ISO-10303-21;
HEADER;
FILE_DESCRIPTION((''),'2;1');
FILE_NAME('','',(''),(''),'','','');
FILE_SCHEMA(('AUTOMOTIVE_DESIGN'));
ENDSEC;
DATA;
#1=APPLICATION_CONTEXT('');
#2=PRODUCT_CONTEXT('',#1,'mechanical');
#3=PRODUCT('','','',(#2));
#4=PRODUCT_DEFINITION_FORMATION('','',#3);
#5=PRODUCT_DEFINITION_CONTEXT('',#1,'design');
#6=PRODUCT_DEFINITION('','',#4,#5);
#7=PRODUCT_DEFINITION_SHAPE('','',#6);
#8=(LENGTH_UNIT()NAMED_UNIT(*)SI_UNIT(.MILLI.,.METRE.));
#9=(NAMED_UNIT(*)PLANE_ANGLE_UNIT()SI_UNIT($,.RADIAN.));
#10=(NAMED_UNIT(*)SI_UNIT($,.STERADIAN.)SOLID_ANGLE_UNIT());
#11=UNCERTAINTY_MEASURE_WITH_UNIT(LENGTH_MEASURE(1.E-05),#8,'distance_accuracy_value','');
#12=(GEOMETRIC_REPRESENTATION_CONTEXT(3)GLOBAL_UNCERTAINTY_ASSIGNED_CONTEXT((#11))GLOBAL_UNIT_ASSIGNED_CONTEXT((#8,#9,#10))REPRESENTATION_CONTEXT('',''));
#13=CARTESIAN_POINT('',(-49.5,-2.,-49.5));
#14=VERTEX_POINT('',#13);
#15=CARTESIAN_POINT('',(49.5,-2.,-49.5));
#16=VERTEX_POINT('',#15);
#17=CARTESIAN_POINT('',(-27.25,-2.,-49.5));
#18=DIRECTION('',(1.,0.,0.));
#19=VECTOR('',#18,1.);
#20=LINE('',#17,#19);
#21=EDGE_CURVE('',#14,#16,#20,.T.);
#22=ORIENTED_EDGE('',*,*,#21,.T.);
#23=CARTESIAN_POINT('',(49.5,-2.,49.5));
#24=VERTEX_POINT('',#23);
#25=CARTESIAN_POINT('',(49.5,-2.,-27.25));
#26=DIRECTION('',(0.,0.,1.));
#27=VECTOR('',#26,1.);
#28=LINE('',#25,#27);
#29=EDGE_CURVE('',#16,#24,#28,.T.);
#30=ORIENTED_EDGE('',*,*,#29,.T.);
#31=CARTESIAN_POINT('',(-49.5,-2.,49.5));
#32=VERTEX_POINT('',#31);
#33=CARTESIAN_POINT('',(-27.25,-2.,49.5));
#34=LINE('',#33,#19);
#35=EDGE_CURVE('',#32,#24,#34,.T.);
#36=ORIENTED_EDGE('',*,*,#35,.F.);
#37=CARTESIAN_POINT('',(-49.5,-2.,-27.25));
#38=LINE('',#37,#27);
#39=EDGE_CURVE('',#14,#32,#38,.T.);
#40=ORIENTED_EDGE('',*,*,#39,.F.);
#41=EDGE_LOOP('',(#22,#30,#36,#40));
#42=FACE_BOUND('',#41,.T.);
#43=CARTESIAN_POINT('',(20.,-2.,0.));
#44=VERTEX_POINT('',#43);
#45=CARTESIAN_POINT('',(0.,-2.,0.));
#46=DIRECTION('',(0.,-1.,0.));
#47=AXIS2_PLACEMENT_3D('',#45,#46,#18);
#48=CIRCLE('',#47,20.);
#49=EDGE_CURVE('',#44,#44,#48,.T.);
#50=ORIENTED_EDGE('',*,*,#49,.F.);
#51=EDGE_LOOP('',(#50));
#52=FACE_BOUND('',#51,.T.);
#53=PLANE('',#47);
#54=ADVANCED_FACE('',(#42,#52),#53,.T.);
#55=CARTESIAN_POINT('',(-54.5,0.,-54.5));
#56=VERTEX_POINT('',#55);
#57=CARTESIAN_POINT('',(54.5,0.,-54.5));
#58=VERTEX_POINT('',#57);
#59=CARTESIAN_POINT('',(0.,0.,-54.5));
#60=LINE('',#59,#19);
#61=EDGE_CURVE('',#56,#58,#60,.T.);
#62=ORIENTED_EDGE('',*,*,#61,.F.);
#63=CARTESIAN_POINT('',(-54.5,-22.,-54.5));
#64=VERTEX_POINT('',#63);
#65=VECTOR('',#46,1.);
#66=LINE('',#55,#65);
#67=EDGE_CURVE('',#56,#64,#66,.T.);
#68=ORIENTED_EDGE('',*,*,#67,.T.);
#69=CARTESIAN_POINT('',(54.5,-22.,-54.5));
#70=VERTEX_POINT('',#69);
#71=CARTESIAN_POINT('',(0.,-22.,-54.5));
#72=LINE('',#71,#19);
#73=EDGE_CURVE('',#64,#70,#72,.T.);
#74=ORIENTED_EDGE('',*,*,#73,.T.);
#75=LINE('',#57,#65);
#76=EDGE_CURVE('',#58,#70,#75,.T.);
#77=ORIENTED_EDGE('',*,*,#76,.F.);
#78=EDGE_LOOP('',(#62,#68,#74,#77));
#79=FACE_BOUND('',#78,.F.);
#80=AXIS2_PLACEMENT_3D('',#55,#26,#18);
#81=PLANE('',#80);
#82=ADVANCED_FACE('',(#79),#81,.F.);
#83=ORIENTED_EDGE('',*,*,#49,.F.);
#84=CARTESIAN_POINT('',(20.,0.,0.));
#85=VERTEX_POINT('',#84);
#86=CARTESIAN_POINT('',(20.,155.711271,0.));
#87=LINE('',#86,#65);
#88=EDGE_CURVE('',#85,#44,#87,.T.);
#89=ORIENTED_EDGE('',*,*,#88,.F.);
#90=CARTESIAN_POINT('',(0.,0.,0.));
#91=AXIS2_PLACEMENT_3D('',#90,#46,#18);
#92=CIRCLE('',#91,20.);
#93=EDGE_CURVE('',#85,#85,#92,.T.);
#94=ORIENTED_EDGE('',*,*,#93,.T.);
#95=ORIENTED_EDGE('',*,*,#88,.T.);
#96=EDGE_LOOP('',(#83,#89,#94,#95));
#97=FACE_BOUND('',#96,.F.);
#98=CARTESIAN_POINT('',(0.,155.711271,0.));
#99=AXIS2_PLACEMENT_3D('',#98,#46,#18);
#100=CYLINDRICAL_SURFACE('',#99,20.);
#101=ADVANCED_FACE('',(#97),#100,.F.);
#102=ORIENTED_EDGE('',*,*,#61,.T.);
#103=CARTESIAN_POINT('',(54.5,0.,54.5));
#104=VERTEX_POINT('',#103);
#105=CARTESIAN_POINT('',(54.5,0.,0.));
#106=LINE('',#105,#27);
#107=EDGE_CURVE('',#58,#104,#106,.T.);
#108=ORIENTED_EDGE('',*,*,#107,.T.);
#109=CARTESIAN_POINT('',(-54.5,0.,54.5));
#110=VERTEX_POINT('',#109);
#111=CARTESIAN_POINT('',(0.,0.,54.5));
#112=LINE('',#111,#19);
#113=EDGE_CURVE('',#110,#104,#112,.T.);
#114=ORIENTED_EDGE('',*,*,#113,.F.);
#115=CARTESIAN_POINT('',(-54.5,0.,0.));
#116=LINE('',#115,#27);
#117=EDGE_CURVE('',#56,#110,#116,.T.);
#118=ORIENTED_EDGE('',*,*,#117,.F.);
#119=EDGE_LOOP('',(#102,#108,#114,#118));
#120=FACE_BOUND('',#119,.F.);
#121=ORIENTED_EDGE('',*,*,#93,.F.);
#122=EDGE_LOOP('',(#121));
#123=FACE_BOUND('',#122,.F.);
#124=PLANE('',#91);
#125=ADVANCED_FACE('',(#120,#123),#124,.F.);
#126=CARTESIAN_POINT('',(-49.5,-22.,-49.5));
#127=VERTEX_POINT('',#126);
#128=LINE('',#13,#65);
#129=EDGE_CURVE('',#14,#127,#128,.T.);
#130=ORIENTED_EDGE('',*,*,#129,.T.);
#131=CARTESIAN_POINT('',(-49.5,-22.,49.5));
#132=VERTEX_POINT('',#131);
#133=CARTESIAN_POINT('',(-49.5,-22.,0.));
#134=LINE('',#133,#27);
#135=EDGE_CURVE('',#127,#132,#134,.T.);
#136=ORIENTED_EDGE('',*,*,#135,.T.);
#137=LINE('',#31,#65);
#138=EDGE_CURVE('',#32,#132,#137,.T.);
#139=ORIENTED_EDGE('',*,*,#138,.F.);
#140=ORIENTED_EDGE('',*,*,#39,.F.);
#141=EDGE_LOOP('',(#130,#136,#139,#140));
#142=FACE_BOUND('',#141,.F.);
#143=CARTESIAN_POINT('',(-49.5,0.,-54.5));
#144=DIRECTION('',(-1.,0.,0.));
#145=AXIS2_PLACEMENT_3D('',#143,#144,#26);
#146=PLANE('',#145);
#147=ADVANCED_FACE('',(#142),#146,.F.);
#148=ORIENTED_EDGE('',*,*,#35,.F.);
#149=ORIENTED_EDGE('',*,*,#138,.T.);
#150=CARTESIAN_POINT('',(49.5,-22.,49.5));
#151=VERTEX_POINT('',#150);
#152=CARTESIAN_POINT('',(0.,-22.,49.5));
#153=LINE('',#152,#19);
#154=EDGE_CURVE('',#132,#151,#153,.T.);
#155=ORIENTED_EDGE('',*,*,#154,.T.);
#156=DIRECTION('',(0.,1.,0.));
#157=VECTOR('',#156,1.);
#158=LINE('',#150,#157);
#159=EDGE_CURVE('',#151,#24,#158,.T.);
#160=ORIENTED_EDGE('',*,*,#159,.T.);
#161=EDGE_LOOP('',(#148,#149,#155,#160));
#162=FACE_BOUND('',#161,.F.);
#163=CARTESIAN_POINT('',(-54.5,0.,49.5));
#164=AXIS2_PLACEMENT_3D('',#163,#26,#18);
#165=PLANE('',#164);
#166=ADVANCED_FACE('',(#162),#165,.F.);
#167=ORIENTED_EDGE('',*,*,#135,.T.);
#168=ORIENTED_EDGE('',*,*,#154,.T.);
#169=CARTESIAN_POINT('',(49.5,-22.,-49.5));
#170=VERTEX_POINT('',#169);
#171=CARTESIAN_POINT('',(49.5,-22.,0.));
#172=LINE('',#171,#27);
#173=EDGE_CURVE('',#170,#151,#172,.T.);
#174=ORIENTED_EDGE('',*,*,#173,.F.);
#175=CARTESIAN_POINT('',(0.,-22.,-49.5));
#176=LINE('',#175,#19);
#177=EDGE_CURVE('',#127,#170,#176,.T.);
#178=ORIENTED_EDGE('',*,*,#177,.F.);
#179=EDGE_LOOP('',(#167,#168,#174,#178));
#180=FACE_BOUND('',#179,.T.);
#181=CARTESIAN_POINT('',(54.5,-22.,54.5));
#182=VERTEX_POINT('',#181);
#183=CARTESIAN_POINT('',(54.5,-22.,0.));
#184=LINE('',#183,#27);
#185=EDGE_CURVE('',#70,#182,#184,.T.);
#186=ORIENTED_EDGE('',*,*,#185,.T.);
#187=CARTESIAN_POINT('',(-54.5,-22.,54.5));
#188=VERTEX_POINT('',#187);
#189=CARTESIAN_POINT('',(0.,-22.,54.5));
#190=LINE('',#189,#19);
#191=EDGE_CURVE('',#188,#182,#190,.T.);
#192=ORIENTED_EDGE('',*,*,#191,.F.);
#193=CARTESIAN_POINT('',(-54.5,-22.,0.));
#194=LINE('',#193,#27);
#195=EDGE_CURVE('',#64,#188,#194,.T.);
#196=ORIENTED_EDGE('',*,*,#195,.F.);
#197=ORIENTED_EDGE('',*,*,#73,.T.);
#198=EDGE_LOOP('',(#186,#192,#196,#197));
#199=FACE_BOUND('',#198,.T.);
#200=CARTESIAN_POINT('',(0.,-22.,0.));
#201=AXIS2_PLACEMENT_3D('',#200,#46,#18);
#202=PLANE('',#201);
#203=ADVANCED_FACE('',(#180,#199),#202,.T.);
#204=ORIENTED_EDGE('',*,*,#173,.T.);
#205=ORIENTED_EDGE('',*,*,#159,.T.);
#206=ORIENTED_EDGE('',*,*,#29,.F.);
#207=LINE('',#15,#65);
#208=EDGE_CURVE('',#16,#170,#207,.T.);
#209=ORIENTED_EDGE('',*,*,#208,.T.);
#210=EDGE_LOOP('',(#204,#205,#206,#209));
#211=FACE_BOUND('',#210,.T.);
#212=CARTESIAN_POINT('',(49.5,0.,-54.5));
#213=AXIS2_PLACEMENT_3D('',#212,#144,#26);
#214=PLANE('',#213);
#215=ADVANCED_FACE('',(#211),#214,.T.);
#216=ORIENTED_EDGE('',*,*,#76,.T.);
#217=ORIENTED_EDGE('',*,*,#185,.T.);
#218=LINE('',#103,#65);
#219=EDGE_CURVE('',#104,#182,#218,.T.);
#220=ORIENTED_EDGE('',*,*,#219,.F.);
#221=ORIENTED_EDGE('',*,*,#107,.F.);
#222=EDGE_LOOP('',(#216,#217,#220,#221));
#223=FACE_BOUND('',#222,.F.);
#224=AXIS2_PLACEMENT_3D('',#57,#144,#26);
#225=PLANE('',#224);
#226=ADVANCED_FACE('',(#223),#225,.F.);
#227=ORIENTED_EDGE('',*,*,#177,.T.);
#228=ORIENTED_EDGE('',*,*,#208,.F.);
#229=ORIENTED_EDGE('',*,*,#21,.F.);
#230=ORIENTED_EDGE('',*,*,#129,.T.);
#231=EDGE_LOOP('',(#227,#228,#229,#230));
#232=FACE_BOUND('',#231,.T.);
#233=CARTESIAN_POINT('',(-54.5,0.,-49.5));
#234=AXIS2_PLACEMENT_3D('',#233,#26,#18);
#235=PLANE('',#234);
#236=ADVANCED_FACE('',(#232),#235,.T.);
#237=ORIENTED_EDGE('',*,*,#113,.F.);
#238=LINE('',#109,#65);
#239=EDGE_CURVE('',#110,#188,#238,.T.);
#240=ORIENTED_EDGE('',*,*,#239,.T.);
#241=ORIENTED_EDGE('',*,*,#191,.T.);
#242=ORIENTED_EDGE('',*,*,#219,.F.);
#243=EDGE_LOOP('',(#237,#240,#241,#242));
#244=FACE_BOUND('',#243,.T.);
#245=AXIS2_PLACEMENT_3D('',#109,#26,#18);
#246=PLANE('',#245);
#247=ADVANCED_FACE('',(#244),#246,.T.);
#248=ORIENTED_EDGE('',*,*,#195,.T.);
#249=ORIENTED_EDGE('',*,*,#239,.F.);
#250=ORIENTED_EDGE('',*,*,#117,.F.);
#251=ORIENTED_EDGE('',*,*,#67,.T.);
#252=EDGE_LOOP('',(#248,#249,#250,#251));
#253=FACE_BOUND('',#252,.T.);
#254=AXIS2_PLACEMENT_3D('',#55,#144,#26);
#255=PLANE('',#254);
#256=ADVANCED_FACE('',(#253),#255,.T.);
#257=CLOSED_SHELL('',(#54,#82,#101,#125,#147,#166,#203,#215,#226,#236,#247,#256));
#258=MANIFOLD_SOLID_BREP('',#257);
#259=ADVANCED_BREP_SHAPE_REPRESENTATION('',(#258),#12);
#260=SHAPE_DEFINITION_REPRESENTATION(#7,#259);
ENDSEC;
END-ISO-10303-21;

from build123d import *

# Parameters (mm, degrees)
F4_W     = 109
F4_H     = 109
F5_DEPTH = 22
F6_T     = -5
F7_DEPTH = 3
F9_D     = 40


with BuildPart() as f5:
    # F4 (on Front) → F5 (new body)
    with BuildSketch(Plane.XZ):
        Rectangle(F4_W, F4_H)
    extrude(amount=F5_DEPTH)

    # F6
    f6_openings = [f5.faces().sort_by_distance(p)[0] for p in [
        (0, -22, 0),
    ]]
    offset(amount=F6_T, openings=f6_openings)

    # F7 (cut): a face of the model
    f7_faces = [f5.faces().sort_by_distance(p)[0] for p in [
        (0, -5, 0),
    ]]
    extrude(f7_faces, amount=-F7_DEPTH, mode=Mode.SUBTRACT)

    # F9 (through all)
    with Locations(Plane(origin=(0, 0, 0), x_dir=(-1, 0, 0), z_dir=(0, 1, 0))):
        with Locations((0, 0)):
            Hole(F9_D / 2)


solid = f5.part
